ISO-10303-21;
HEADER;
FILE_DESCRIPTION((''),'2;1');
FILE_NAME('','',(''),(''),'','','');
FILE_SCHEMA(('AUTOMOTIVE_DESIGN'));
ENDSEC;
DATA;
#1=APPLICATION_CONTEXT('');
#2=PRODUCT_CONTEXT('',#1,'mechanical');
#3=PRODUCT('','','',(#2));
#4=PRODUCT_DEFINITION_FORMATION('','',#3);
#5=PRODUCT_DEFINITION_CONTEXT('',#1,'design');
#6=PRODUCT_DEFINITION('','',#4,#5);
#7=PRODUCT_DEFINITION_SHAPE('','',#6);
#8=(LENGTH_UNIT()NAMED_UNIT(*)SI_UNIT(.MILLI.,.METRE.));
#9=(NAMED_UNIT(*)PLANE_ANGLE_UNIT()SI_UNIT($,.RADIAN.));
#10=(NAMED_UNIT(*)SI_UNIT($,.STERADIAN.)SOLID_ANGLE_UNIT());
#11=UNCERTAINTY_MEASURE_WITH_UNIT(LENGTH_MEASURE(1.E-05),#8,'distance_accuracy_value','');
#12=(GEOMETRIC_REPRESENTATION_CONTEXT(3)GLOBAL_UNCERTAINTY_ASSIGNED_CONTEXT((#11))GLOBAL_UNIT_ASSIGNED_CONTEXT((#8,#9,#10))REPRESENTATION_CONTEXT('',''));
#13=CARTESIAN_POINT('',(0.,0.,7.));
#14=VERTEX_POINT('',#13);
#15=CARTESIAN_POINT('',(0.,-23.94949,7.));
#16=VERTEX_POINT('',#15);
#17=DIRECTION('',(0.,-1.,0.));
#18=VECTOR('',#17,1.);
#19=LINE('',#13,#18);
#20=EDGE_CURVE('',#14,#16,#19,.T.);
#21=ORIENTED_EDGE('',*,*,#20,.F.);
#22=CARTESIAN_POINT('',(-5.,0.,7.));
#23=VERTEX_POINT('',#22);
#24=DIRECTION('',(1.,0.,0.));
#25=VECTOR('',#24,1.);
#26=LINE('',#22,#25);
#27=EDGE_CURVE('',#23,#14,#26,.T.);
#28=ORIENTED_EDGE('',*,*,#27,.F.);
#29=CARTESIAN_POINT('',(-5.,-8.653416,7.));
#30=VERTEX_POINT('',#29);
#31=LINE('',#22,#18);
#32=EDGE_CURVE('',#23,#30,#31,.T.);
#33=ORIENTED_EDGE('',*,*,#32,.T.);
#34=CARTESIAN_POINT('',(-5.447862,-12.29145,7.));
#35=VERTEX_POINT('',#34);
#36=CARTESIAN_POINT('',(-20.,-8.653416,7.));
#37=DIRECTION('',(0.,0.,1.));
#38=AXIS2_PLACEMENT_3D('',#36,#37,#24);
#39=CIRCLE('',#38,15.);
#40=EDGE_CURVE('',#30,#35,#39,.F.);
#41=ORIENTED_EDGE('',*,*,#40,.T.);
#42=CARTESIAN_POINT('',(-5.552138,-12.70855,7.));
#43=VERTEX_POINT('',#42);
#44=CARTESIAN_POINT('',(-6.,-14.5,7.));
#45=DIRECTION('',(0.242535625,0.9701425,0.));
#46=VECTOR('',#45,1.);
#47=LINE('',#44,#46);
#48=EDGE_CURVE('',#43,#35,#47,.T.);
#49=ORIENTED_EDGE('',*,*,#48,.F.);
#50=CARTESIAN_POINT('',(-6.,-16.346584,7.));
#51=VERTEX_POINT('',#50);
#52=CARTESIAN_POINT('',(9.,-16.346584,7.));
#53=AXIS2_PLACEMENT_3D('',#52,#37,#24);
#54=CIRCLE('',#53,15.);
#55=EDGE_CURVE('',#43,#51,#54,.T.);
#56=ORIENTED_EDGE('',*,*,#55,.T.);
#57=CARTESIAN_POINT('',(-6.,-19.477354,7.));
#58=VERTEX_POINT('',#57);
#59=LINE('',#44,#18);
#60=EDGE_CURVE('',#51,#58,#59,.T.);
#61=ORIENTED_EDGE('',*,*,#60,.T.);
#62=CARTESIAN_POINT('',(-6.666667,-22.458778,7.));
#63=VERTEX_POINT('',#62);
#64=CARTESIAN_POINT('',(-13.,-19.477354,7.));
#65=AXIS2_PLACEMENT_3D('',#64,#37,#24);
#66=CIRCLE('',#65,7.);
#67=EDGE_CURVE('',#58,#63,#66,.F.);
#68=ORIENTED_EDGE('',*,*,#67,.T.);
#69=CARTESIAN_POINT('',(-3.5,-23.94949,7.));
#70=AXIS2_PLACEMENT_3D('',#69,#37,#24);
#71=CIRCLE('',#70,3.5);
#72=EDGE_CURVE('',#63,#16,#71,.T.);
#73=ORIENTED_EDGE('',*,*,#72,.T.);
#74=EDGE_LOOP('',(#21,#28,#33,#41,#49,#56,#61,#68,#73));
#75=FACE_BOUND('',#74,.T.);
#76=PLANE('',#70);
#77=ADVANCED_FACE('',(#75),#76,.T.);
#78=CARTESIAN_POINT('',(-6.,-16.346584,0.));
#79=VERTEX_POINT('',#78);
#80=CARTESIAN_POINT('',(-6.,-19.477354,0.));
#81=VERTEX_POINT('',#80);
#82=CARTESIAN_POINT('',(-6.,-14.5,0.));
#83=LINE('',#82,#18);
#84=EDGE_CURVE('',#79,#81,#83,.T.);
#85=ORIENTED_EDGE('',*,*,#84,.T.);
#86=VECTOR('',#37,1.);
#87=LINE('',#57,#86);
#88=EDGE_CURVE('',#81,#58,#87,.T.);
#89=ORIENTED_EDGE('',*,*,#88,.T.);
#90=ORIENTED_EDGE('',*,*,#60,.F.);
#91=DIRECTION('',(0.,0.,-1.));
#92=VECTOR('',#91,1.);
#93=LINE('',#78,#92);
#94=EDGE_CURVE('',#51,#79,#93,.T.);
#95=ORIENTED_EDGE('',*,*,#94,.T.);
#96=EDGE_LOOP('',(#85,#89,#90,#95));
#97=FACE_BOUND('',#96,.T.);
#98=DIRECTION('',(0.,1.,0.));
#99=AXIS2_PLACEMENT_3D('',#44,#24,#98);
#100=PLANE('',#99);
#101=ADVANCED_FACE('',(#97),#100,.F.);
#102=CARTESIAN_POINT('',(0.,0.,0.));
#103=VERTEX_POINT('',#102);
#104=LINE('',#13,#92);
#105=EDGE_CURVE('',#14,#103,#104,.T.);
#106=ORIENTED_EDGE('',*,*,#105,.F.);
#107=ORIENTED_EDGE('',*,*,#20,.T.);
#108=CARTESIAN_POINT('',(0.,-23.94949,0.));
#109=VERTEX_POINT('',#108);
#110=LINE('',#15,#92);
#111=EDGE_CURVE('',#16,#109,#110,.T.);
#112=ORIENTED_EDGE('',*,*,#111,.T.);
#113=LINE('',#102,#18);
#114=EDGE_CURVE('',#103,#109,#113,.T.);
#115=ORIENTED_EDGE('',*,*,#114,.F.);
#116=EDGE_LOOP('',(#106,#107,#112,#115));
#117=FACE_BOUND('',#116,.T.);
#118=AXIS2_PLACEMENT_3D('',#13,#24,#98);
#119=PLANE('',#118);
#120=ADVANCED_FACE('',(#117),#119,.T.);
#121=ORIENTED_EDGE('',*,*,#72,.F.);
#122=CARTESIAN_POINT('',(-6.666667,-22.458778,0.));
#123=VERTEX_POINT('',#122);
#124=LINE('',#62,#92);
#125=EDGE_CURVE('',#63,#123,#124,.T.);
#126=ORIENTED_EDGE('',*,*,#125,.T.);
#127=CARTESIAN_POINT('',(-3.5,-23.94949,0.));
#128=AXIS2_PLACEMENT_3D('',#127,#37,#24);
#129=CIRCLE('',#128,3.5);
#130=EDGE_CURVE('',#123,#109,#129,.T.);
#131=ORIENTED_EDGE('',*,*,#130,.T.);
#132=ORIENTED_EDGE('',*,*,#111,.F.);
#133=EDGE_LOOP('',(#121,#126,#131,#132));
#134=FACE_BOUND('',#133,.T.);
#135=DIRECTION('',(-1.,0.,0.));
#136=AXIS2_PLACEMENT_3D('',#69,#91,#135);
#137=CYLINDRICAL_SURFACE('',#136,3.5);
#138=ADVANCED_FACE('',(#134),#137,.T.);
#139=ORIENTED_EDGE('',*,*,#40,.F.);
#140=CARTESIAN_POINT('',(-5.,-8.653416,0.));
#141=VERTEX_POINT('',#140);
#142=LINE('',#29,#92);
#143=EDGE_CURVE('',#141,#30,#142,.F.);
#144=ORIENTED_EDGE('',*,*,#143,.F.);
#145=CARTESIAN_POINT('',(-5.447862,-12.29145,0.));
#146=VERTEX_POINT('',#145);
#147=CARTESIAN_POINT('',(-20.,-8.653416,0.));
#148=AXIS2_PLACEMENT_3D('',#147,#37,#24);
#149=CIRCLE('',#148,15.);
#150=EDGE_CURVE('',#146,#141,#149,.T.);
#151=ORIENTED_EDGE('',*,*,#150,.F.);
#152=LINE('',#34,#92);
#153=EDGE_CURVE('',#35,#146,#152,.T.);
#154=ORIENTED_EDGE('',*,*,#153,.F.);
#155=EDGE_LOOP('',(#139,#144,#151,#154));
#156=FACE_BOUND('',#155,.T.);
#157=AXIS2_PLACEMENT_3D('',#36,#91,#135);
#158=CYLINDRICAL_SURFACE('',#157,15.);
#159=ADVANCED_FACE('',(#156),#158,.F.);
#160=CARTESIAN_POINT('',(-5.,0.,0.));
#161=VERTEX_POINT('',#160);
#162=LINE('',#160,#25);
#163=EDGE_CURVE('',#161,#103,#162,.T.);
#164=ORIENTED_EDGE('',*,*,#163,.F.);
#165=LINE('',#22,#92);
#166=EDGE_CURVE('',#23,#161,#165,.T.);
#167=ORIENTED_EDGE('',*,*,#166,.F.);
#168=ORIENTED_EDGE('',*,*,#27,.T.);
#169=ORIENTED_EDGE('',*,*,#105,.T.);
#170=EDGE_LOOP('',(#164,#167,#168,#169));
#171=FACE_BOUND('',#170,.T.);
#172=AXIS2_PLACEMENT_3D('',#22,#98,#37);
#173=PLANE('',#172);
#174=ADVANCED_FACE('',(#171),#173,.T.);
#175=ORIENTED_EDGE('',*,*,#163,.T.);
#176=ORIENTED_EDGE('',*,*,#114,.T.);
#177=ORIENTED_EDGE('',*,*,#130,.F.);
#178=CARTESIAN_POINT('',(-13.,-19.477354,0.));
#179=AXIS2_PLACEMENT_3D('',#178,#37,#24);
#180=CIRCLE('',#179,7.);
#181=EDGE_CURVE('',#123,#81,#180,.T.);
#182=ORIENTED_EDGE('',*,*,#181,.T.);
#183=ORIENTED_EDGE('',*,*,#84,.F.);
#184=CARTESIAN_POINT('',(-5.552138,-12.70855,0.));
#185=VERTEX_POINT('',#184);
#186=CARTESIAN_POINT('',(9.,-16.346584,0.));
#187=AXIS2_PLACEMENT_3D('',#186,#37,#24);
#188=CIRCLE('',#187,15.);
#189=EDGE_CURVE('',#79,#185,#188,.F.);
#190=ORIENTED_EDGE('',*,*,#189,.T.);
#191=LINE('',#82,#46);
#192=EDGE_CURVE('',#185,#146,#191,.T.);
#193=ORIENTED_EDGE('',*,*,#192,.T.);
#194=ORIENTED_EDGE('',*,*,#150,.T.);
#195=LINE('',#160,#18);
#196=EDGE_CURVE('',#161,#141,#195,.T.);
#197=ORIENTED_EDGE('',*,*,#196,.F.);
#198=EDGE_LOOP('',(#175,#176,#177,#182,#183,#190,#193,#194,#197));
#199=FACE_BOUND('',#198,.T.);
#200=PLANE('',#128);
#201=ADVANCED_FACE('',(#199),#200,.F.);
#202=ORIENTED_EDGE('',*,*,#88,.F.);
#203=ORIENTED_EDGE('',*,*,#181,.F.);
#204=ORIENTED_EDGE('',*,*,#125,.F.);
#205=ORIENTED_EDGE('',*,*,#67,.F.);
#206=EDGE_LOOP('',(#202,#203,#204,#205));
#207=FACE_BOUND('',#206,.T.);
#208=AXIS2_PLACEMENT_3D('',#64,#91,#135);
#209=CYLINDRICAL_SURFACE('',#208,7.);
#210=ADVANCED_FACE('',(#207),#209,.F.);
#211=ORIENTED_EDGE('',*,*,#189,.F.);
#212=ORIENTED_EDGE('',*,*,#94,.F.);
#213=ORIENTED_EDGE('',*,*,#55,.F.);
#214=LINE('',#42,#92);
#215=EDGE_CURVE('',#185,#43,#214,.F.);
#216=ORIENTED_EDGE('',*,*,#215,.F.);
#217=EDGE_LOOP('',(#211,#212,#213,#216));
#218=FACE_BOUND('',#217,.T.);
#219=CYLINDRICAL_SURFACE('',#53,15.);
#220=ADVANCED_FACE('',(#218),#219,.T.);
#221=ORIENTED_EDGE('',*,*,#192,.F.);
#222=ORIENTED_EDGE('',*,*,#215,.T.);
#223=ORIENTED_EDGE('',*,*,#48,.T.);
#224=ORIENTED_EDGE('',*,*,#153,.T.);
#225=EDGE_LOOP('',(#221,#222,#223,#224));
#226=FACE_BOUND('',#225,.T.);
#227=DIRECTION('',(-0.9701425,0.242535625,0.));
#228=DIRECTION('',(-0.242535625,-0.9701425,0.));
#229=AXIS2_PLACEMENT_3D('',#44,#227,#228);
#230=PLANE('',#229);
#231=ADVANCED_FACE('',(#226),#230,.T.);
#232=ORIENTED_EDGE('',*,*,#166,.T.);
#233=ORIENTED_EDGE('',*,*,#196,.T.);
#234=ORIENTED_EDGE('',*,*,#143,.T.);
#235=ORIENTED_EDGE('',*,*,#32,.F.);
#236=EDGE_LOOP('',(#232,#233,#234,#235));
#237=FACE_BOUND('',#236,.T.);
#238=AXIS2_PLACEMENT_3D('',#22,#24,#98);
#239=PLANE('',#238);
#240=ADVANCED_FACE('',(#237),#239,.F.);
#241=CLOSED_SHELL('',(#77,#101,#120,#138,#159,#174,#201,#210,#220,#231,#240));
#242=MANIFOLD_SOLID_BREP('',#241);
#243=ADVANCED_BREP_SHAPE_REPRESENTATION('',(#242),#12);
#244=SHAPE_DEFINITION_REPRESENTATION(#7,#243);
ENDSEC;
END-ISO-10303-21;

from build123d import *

# Parameters (mm, degrees)
BOSS_EXTRU_2_DEPTH = 7
CONG_1_R           = 7
CONG_2_R           = 15


with BuildPart() as part:
    # Esquisse1 → Boss.-Extru.2 (new body)
    with BuildSketch(Plane.XY):
        with BuildLine():
            Line((-5, 0), (-5, -10.5))
            Line((-5, -10.5), (-6, -14.5))
            Line((-6, -14.5), (-6, -21.5))
            ThreePointArc((-6, -21.5), (-4.822875656, -27.189860092), (0, -23.949489743))
            Line((0, -23.949489743), (0, 0))
            Line((0, 0), (-5, 0))
        make_face()
    extrude(amount=BOSS_EXTRU_2_DEPTH)

    # Congé1
    cong_1_edges = [part.edges().sort_by_distance(p)[0] for p in [
        (-6, -21.5, 3.5),
    ]]
    fillet(cong_1_edges, radius=CONG_1_R)

    # Congé2
    cong_2_edges = [part.edges().sort_by_distance(p)[0] for p in [
        (-6, -14.5, 3.5),
        (-5, -10.5, 3.5),
    ]]
    fillet(cong_2_edges, radius=CONG_2_R)


solid = part.part
